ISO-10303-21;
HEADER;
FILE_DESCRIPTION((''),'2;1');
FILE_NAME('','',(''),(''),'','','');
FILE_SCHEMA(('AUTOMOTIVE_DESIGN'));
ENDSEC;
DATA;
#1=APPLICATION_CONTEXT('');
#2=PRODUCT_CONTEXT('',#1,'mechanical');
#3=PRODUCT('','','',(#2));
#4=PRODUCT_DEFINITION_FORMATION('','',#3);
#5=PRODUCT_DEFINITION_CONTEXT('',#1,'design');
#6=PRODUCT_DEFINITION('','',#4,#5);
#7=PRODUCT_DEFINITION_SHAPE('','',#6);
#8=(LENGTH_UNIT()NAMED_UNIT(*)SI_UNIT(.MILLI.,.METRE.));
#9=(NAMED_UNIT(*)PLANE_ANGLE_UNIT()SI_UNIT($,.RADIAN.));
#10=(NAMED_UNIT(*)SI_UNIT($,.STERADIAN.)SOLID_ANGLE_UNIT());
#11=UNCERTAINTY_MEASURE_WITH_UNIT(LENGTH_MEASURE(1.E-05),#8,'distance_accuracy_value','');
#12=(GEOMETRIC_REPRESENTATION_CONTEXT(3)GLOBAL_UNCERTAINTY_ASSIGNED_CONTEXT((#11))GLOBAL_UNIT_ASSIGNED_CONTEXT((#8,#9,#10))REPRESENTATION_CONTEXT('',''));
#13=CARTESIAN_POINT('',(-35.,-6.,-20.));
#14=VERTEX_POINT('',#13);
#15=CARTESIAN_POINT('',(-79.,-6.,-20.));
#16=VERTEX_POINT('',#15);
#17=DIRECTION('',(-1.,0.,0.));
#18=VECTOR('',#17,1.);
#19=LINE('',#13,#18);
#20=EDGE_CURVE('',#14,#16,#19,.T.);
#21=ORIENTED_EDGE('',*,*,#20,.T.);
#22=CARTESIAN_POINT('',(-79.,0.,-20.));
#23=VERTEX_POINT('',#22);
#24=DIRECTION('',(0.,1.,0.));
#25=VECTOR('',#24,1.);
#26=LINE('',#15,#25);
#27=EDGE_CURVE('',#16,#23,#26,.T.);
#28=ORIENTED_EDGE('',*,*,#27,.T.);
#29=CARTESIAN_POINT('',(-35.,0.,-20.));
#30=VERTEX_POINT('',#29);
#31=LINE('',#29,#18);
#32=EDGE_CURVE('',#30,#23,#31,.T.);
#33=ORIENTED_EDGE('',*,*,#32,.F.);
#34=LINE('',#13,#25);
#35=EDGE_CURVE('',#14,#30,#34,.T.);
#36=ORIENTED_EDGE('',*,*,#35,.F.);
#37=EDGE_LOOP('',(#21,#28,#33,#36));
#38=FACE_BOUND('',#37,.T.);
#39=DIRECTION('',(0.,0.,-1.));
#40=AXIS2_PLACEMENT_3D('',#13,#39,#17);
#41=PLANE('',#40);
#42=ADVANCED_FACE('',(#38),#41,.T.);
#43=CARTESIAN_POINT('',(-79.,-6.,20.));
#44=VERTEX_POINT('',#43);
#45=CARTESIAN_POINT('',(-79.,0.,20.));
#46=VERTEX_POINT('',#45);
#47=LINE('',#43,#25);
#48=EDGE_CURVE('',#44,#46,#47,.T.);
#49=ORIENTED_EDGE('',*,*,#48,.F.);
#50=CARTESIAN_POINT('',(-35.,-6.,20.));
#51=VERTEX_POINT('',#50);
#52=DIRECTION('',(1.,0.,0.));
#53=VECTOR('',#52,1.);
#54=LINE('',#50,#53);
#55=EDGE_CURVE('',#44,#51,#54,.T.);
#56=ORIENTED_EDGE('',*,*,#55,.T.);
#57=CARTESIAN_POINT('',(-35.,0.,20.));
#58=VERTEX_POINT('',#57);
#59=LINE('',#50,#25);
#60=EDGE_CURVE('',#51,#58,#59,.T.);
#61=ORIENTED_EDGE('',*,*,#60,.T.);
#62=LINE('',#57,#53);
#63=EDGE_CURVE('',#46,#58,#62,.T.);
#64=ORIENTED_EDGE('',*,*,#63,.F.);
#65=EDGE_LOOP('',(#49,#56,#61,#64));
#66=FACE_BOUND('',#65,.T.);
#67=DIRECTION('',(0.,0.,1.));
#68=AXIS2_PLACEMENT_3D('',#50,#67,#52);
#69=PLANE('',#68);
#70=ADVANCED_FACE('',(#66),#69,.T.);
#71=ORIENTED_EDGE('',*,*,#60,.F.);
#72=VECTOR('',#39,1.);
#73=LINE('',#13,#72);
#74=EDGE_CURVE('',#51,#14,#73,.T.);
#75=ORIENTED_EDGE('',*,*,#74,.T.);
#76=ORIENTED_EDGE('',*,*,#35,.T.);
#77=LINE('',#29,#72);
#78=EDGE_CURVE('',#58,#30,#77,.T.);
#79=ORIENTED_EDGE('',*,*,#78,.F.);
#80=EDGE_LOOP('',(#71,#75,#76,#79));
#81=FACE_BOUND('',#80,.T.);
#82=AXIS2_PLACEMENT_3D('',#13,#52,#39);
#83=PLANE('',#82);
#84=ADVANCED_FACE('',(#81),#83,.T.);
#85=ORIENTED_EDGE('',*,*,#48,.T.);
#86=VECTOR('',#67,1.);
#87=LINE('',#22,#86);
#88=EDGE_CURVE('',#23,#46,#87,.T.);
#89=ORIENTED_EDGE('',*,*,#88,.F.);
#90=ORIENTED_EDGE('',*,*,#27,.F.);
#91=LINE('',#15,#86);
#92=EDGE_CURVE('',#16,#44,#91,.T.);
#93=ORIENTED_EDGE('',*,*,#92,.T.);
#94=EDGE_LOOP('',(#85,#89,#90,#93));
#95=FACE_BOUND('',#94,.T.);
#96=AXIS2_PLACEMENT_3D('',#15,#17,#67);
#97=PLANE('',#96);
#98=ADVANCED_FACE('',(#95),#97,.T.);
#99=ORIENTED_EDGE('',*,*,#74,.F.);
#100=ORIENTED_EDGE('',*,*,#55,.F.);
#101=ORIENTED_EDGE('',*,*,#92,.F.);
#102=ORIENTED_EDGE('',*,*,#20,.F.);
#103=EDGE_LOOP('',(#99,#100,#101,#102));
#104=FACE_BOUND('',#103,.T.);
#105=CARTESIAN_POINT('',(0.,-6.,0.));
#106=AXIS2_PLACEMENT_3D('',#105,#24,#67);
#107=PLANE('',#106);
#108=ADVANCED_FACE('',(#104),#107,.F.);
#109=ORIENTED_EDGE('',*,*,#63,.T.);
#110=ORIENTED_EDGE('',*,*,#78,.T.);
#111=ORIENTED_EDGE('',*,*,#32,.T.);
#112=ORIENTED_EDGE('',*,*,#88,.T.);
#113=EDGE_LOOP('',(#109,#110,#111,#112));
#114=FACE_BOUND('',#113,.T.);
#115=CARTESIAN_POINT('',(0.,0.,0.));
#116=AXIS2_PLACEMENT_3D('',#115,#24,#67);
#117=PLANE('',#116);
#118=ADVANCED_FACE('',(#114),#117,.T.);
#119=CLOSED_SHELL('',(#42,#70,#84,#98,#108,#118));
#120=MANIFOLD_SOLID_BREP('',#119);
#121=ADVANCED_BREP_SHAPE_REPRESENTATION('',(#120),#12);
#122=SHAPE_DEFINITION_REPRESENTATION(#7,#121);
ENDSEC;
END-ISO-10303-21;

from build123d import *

# Parameters (mm, degrees)
SKETCH1_W           = 44
SKETCH1_H           = 40
BOSS_EXTRUDE1_DEPTH = 6


with BuildPart() as part:
    # Sketch1 → Boss-Extrude1 (new body)
    with BuildSketch(Plane(origin=(0, 0, 0), x_dir=(1, 0, 0), z_dir=(0, 1, 0))):
        with Locations((-57, 0)):
            Rectangle(SKETCH1_W, SKETCH1_H)
    extrude(amount=-BOSS_EXTRUDE1_DEPTH)


solid = part.part
